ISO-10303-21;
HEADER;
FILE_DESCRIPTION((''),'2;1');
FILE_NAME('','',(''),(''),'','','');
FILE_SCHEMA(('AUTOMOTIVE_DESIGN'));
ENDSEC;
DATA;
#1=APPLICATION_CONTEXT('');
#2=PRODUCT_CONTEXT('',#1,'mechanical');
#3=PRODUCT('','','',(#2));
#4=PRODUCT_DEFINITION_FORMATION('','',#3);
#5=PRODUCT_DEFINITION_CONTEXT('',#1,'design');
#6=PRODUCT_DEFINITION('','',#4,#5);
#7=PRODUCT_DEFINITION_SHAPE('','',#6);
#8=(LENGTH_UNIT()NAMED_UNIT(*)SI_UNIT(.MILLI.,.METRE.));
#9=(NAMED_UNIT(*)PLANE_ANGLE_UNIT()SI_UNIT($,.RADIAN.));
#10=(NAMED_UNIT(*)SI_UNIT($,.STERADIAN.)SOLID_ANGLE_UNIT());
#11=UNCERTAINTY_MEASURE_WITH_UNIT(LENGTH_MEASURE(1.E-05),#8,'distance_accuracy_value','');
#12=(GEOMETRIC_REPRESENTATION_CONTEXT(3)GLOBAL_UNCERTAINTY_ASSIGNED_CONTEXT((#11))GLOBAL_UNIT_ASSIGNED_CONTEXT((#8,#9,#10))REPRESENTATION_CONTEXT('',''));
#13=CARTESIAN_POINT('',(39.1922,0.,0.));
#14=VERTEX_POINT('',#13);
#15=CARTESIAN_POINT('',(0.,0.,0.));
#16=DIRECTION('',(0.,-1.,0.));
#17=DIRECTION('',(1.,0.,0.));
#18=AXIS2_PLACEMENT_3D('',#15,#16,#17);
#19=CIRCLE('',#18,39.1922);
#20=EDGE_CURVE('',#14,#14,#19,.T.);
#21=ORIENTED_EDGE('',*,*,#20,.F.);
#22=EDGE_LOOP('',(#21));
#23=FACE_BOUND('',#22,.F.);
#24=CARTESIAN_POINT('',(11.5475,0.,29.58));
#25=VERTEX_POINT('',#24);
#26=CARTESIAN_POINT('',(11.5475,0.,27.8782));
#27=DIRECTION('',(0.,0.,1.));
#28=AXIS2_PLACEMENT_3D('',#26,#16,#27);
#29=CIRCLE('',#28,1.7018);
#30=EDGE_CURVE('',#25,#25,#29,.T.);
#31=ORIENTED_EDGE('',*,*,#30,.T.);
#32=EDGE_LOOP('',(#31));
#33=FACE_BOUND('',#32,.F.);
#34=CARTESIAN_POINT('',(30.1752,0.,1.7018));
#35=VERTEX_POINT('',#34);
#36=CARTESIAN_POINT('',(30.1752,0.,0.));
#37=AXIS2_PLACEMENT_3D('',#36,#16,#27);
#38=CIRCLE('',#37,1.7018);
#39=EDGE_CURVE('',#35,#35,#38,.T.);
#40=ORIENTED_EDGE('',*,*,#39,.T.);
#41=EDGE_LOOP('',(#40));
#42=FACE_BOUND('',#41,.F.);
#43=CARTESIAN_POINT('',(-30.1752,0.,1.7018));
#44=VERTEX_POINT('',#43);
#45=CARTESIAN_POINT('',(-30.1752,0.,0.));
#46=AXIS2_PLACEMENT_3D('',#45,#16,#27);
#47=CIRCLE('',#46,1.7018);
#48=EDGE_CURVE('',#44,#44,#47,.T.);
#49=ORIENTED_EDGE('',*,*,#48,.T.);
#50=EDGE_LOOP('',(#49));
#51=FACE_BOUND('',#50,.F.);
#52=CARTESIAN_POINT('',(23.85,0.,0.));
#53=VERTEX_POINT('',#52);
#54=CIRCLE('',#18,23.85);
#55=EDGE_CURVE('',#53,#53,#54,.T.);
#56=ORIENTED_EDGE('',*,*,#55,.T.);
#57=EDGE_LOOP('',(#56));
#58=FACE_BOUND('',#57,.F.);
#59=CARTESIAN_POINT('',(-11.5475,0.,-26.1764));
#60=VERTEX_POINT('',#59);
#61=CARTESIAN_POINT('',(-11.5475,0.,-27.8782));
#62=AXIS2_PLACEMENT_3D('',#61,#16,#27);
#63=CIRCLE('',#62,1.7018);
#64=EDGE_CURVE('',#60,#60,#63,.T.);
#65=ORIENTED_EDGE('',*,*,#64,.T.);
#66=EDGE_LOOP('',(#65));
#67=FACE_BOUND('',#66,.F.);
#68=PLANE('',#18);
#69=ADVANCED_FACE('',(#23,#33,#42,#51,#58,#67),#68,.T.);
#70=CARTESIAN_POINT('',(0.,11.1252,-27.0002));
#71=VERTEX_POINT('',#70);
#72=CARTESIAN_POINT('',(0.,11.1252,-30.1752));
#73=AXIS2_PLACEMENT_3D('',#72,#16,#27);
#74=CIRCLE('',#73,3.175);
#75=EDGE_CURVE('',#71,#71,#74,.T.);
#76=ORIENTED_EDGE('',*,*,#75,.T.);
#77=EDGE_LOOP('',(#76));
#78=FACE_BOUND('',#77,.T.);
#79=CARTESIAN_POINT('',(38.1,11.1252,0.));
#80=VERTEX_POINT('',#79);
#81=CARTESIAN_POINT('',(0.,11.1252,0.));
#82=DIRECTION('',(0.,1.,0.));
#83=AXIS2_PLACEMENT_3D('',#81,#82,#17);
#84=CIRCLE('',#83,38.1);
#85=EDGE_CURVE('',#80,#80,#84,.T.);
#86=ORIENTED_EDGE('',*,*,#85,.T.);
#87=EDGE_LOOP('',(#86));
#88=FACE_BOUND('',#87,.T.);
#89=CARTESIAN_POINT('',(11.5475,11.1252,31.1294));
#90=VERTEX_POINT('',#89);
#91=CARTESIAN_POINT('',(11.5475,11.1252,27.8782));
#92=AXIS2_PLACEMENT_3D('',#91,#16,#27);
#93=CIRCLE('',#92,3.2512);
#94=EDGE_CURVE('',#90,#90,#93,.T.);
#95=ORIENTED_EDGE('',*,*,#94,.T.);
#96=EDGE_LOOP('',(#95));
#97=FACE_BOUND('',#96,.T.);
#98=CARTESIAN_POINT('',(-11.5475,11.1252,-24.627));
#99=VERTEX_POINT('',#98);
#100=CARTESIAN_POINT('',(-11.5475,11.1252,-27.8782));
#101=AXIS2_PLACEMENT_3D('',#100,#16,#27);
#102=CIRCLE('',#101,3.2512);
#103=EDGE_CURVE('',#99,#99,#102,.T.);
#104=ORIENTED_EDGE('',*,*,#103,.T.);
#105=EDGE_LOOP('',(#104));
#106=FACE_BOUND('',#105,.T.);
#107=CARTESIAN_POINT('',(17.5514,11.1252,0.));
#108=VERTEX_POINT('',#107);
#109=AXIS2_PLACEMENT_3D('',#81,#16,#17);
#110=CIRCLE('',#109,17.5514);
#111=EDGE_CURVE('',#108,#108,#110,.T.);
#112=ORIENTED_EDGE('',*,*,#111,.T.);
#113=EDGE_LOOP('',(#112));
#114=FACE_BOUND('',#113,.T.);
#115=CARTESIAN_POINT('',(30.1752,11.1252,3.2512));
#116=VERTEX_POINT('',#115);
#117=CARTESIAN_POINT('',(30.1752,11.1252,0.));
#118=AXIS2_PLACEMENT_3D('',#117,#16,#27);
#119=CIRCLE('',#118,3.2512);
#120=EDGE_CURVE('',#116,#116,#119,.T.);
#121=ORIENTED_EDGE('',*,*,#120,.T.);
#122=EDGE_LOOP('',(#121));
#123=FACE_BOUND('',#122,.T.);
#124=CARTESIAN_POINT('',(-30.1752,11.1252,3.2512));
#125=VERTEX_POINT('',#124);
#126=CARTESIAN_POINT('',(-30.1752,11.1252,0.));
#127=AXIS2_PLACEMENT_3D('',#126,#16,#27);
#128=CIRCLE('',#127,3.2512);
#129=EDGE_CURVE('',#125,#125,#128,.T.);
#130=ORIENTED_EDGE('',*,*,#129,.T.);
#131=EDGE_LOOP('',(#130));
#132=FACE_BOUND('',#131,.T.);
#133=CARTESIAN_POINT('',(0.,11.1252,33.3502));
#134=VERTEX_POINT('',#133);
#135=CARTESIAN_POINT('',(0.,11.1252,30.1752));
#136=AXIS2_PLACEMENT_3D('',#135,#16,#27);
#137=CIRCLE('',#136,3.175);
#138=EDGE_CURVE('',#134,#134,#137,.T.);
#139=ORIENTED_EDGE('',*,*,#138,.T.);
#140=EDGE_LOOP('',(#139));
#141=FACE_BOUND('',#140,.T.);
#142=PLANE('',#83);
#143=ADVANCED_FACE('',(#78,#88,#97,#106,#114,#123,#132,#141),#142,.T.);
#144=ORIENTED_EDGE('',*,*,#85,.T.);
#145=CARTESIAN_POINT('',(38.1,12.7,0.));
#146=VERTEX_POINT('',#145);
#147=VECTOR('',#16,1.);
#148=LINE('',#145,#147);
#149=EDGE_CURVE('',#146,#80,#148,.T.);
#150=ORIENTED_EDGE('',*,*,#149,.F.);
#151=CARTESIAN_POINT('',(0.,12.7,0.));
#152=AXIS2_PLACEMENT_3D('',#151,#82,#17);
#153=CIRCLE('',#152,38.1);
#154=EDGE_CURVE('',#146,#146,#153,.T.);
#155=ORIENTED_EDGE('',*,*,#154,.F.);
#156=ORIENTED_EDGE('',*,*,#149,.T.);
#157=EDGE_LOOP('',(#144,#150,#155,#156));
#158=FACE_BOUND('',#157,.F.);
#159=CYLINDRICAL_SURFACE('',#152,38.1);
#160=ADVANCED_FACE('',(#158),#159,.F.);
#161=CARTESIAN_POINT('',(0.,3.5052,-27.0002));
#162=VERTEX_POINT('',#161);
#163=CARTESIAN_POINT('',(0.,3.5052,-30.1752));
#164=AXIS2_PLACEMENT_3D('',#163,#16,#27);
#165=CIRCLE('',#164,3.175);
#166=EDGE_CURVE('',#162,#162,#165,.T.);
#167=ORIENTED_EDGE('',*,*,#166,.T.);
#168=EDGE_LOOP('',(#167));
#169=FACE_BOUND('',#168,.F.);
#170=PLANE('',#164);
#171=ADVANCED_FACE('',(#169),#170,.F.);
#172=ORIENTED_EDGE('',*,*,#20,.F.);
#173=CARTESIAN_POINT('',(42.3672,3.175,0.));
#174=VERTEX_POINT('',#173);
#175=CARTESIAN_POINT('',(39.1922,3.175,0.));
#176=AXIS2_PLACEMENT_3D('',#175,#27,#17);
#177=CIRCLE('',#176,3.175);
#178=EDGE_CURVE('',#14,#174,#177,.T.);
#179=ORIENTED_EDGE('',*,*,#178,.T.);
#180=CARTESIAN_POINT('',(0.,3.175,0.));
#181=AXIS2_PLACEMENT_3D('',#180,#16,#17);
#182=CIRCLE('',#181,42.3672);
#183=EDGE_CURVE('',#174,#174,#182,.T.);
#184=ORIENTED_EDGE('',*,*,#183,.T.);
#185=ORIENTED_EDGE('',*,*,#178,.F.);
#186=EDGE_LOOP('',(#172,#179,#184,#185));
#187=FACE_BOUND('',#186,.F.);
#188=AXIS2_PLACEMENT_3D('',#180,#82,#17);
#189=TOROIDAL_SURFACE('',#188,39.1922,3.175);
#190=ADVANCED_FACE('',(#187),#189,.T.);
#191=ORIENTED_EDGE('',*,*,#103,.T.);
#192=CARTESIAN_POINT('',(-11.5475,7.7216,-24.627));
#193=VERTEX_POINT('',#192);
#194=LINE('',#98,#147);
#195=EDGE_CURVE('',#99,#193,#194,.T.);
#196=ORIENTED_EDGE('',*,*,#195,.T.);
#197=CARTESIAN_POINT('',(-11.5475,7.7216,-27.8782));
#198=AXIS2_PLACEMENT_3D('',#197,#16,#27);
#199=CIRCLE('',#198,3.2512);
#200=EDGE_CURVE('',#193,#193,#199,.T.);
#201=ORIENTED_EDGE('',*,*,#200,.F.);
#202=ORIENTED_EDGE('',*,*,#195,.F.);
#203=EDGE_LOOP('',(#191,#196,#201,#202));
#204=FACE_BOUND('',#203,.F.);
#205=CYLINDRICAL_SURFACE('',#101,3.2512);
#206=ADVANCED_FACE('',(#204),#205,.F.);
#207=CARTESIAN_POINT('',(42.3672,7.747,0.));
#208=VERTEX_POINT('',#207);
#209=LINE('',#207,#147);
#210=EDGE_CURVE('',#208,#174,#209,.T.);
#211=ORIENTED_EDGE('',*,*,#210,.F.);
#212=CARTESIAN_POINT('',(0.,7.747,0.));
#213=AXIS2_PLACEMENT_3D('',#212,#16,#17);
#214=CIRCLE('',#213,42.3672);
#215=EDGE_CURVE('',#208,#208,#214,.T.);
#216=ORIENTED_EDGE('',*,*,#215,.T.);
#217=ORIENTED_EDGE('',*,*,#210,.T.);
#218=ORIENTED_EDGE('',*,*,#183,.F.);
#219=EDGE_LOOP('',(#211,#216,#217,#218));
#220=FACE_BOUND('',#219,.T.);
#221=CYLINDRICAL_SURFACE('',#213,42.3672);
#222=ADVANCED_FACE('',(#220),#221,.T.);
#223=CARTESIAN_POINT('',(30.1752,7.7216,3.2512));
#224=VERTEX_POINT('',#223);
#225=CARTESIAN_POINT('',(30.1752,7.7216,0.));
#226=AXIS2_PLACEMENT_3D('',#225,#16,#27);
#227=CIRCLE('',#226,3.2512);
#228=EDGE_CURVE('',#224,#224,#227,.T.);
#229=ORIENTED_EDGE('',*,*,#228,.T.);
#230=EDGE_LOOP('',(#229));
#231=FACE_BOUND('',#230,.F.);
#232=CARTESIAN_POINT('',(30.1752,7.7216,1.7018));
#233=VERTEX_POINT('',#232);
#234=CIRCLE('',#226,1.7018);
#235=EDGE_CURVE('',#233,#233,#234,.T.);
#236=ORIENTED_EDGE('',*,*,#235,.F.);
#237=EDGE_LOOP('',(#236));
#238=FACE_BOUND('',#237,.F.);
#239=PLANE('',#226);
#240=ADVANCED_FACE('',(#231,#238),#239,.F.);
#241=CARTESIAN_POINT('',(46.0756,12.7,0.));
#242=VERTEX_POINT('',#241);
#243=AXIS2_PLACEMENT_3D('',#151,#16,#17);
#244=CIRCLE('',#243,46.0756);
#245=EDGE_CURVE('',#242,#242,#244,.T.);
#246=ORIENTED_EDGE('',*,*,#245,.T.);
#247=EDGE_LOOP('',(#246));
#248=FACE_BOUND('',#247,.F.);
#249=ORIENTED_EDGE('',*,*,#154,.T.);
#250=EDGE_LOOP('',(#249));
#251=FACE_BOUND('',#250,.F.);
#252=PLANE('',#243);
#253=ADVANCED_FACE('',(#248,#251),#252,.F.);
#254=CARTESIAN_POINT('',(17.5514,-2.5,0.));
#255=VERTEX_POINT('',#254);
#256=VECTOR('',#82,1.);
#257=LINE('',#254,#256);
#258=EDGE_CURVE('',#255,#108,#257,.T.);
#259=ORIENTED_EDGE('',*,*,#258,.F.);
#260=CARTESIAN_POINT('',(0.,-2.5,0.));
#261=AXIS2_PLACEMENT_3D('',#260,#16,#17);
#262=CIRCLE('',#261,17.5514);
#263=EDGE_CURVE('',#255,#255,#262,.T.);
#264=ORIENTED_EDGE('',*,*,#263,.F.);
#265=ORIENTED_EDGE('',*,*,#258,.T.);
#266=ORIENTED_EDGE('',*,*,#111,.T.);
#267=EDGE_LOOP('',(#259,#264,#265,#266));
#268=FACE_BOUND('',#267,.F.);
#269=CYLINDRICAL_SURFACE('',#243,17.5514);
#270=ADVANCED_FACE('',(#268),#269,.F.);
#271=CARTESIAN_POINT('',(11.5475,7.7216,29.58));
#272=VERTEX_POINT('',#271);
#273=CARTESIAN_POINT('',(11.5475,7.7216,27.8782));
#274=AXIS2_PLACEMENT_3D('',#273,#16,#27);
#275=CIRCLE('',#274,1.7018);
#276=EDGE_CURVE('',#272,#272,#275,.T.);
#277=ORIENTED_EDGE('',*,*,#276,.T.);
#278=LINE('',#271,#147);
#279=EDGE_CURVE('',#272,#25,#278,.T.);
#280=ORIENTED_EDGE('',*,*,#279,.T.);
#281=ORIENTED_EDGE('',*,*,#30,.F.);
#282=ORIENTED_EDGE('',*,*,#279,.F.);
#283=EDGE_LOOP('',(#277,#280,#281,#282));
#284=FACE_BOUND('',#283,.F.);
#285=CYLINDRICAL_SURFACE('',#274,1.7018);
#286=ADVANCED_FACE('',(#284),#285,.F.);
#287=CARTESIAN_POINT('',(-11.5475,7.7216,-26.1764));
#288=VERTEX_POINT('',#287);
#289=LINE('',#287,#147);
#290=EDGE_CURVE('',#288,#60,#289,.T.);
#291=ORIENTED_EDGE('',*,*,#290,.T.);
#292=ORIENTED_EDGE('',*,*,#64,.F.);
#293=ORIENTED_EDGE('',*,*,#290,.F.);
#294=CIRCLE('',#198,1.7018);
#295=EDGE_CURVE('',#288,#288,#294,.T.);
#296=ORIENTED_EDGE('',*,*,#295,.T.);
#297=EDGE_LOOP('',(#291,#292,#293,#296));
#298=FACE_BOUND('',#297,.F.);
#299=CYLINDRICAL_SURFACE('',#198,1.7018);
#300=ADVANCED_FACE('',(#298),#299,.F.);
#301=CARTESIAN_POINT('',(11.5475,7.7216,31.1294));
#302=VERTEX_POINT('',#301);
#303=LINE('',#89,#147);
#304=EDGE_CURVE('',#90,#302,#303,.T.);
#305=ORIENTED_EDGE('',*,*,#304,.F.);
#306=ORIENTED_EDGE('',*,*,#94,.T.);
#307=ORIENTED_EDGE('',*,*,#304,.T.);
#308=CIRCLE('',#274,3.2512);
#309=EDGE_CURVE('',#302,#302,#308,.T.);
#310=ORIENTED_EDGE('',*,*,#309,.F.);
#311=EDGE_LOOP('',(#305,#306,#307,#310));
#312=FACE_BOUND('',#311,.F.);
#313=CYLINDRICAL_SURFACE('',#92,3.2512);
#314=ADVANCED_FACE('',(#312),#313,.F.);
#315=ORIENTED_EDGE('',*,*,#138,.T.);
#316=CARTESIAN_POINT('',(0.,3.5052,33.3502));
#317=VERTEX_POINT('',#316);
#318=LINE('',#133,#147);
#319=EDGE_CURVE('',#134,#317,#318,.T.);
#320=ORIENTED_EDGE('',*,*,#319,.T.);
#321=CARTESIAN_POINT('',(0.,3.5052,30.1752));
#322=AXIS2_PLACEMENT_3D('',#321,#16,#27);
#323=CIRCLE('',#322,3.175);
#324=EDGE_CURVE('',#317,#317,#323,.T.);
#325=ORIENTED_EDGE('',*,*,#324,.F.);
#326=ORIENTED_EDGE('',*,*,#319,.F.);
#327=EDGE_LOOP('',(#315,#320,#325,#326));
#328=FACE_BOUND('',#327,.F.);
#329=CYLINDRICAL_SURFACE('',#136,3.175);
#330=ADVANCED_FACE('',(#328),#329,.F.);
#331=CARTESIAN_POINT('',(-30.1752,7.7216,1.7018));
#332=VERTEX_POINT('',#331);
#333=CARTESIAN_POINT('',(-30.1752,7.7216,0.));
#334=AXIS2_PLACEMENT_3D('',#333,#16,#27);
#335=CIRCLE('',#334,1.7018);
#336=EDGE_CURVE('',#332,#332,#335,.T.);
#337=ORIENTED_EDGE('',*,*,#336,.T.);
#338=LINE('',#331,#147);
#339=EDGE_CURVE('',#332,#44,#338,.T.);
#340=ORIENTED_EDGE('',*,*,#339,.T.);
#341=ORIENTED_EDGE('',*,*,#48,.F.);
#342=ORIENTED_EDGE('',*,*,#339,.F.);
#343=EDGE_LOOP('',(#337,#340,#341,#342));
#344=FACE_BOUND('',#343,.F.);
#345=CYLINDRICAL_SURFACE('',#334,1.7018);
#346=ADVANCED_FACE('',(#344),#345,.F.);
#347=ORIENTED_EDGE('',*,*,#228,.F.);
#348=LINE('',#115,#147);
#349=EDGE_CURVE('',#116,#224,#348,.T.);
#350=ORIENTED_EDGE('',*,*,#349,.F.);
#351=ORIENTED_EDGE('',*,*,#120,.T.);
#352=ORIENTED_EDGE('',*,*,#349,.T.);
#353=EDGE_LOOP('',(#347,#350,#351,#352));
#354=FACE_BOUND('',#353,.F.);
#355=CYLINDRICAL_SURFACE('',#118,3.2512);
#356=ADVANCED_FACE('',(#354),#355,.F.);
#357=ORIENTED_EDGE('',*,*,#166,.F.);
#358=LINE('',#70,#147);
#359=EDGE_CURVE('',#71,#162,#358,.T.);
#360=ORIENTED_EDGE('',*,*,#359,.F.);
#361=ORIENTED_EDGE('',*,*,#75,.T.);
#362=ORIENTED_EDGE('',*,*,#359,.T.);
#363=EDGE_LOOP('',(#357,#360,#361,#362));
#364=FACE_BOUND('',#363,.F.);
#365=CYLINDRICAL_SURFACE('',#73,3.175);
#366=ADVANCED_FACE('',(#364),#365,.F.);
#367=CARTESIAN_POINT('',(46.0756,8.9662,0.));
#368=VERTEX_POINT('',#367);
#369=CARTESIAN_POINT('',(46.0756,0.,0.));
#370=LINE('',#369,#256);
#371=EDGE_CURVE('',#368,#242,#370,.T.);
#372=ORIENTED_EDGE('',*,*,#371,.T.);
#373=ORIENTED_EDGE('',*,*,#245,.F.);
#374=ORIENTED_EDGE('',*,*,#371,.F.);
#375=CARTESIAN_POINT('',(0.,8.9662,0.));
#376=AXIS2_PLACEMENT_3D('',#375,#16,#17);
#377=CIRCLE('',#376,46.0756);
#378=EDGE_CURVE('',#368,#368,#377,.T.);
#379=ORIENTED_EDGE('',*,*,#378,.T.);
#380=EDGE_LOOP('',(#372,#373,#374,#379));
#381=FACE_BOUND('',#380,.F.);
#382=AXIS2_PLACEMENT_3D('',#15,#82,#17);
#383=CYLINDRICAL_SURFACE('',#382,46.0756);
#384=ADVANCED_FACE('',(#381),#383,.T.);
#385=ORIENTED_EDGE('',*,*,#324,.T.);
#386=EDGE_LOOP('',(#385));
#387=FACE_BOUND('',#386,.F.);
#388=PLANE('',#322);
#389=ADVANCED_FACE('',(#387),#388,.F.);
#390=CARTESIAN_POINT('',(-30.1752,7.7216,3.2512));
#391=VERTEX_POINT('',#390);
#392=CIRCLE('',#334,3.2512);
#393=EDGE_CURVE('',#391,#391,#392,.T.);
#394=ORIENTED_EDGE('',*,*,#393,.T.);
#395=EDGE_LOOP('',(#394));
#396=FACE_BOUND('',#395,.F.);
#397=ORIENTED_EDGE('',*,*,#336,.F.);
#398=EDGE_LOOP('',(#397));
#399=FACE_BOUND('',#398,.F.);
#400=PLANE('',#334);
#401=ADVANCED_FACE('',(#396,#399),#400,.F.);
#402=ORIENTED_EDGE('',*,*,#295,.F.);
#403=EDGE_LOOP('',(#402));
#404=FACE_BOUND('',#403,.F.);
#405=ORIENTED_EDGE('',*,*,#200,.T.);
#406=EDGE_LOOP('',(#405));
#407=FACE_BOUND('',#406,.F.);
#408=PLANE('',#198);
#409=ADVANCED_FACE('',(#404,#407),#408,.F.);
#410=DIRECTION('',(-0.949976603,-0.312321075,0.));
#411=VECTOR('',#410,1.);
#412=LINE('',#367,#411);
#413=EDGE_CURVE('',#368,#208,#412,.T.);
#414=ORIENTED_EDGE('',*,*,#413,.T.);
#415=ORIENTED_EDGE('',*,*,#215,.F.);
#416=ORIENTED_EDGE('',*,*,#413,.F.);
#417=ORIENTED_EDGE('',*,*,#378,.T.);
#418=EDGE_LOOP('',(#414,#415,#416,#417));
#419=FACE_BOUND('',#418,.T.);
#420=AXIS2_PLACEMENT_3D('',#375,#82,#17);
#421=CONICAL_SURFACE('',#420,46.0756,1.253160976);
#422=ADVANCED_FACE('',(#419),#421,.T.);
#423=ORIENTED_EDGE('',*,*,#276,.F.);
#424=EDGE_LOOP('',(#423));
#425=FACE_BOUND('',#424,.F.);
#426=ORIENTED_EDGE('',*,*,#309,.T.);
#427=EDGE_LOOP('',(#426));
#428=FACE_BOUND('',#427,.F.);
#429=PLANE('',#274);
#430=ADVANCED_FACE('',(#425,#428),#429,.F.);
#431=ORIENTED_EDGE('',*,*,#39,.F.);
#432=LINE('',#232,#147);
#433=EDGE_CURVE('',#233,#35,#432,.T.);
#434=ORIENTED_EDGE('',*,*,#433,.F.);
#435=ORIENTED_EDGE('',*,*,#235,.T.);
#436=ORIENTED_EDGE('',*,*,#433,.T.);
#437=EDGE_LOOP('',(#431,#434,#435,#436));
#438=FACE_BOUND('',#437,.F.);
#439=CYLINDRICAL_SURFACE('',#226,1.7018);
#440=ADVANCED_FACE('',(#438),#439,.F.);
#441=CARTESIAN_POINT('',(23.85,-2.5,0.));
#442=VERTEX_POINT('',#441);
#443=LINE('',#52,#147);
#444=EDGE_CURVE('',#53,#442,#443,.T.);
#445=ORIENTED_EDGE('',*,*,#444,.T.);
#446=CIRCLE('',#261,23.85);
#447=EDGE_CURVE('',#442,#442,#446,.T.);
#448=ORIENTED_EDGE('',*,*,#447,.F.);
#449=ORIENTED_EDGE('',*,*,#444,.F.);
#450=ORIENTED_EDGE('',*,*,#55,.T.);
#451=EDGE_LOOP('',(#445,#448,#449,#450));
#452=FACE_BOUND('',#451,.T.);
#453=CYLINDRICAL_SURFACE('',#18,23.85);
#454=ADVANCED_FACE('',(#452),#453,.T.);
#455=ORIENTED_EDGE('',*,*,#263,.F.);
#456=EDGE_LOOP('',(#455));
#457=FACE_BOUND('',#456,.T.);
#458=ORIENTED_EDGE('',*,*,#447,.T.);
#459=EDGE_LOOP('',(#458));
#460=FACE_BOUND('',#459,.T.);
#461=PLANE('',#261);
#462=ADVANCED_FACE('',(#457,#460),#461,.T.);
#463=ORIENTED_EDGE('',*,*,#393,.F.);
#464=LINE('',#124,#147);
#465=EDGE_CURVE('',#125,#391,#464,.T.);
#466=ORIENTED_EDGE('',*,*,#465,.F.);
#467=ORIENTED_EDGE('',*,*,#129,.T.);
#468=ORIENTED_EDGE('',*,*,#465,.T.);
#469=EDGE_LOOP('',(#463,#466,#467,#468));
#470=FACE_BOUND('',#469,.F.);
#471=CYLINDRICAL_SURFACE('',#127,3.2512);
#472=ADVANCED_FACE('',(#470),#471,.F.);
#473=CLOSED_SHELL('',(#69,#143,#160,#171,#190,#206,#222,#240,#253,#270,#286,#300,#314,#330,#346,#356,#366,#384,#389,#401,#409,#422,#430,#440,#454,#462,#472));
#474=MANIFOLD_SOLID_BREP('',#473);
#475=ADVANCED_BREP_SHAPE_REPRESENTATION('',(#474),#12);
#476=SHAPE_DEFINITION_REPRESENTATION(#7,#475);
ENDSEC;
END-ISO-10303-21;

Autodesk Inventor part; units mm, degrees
ref_plane "YZ Plane" through (0, 0, 0) normal (1, 0, 0) x (0, 1, 0)
ref_plane "XZ Plane" through (0, 0, 0) normal (0, 1, 0) x (-1, 0, 0)
ref_plane "XY Plane" through (0, 0, 0) normal (0, 0, 1) x (1, 0, 0)
sketch "Sketch1" plane through (0, 0, 0) normal (0, 0, 1) x (1, 0, 0)
  line L0 (23.85, 0) -> (46.0756, 0)
  line L1 (46.0756, 0) -> (46.0756, 12.7)
  line L2 (46.0756, 12.7) -> (0, 12.7)
  line L3 (0, 12.7) -> (0, 0)
  line L4 (17.5514, 12.7) -> (17.5514, -2.5)
  line L5 (46.0756, 8.9662) -> (42.3672, 8.9662)
  line L6 (42.3672, 7.747) -> (42.3672, 0)
  line L7 (46.0756, 7.747) -> (42.3672, 7.747)
  line L8 (46.0756, 8.9662) -> (42.3672, 7.747)
  line L9 (0, 11.1252) -> (0, 12.7)
  line L10 (17.5514, 0) -> (23.85, 0)
  line L11 (23.85, 0) -> (23.85, -2.5)
  line L12 (23.85, -2.5) -> (0, -2.5)
  line L13 (0, -2.5) -> (0, 0)
  dimension "d0" = 46.0756
  dimension "d1" = 12.7
  dimension "d2" = 17.5514
  dimension "d3" = 3.7338
  dimension "d4" = 42.3672
  dimension "d6" = 4.953
  dimension "d14" = 23.85
  dimension "d15" = 2.5
revolve "Revolution1" add sketch "Sketch1" angle 360 about axis through (0, 12.7, 0) along (0, -1, 0) contours L10 L4 L2 L1 L8 L6 L0 | L11 L12 L4 L10
sketch "Sketch2" plane through (0, 12.7, 0) normal (0, 1, 0) x (1, 0, 0)
  circle A0 centre (0, 0) radius 38.1
  dimension "d11" = 76.2
extrude "Extrusion1" cut sketch "Sketch2" against normal blind 1.5748
sketch "Sketch4" plane through (0, 11.1252, 0) normal (0, 1, 0) x (1, 0, 0)
  circle A0 centre (0, 0) radius 30.1752
  line L0 (-11.5475, 27.8782) -> (11.5475, -27.8782)
  circle A1 centre (0, 0) radius 17.5514 projected
  line L1 (0, 0) -> (0, -30.1752)
  circle A2 centre (30.1752, 0) radius 3.2512 projected
  circle A3 centre (-30.1752, 0) radius 1.7018 projected
  dimension "d25" = 60.3504
  dimension "d27" = 22.5
hole "Hole2" at (-11.5475, 11.1252, -27.8782) at (11.5475, 11.1252, 27.8782) at (30.1752, 11.1252, 0) at (-30.1752, 11.1252, 0) direction (0, -1, 0) diameter 3.4036 end through all counterbore diameter 6.5024 counterbore depth 3.4036 clearance for "Socket Head Cap Screw ISO 4762" size "M3" standard "ISO"
sketch "Sketch5" plane through (0, 11.1252, 0) normal (0, 1, 0) x (1, 0, 0)
  circle A0 centre (0, 0) radius 30.1752
  point P0 (0, 30.1752)
  point P1 (0, -30.1752)
  dimension "d35" = 60.3504
hole "Hole3" at (0, 11.1252, -30.1752) at (0, 11.1252, 30.1752) direction (0, -1, 0) diameter 6.35 depth 7.62
fillet "Fillet1" radius 3.175 1 edges at (-42.3672, 0, 0)
properties part number "2016.06.09 Mount Adapter"
